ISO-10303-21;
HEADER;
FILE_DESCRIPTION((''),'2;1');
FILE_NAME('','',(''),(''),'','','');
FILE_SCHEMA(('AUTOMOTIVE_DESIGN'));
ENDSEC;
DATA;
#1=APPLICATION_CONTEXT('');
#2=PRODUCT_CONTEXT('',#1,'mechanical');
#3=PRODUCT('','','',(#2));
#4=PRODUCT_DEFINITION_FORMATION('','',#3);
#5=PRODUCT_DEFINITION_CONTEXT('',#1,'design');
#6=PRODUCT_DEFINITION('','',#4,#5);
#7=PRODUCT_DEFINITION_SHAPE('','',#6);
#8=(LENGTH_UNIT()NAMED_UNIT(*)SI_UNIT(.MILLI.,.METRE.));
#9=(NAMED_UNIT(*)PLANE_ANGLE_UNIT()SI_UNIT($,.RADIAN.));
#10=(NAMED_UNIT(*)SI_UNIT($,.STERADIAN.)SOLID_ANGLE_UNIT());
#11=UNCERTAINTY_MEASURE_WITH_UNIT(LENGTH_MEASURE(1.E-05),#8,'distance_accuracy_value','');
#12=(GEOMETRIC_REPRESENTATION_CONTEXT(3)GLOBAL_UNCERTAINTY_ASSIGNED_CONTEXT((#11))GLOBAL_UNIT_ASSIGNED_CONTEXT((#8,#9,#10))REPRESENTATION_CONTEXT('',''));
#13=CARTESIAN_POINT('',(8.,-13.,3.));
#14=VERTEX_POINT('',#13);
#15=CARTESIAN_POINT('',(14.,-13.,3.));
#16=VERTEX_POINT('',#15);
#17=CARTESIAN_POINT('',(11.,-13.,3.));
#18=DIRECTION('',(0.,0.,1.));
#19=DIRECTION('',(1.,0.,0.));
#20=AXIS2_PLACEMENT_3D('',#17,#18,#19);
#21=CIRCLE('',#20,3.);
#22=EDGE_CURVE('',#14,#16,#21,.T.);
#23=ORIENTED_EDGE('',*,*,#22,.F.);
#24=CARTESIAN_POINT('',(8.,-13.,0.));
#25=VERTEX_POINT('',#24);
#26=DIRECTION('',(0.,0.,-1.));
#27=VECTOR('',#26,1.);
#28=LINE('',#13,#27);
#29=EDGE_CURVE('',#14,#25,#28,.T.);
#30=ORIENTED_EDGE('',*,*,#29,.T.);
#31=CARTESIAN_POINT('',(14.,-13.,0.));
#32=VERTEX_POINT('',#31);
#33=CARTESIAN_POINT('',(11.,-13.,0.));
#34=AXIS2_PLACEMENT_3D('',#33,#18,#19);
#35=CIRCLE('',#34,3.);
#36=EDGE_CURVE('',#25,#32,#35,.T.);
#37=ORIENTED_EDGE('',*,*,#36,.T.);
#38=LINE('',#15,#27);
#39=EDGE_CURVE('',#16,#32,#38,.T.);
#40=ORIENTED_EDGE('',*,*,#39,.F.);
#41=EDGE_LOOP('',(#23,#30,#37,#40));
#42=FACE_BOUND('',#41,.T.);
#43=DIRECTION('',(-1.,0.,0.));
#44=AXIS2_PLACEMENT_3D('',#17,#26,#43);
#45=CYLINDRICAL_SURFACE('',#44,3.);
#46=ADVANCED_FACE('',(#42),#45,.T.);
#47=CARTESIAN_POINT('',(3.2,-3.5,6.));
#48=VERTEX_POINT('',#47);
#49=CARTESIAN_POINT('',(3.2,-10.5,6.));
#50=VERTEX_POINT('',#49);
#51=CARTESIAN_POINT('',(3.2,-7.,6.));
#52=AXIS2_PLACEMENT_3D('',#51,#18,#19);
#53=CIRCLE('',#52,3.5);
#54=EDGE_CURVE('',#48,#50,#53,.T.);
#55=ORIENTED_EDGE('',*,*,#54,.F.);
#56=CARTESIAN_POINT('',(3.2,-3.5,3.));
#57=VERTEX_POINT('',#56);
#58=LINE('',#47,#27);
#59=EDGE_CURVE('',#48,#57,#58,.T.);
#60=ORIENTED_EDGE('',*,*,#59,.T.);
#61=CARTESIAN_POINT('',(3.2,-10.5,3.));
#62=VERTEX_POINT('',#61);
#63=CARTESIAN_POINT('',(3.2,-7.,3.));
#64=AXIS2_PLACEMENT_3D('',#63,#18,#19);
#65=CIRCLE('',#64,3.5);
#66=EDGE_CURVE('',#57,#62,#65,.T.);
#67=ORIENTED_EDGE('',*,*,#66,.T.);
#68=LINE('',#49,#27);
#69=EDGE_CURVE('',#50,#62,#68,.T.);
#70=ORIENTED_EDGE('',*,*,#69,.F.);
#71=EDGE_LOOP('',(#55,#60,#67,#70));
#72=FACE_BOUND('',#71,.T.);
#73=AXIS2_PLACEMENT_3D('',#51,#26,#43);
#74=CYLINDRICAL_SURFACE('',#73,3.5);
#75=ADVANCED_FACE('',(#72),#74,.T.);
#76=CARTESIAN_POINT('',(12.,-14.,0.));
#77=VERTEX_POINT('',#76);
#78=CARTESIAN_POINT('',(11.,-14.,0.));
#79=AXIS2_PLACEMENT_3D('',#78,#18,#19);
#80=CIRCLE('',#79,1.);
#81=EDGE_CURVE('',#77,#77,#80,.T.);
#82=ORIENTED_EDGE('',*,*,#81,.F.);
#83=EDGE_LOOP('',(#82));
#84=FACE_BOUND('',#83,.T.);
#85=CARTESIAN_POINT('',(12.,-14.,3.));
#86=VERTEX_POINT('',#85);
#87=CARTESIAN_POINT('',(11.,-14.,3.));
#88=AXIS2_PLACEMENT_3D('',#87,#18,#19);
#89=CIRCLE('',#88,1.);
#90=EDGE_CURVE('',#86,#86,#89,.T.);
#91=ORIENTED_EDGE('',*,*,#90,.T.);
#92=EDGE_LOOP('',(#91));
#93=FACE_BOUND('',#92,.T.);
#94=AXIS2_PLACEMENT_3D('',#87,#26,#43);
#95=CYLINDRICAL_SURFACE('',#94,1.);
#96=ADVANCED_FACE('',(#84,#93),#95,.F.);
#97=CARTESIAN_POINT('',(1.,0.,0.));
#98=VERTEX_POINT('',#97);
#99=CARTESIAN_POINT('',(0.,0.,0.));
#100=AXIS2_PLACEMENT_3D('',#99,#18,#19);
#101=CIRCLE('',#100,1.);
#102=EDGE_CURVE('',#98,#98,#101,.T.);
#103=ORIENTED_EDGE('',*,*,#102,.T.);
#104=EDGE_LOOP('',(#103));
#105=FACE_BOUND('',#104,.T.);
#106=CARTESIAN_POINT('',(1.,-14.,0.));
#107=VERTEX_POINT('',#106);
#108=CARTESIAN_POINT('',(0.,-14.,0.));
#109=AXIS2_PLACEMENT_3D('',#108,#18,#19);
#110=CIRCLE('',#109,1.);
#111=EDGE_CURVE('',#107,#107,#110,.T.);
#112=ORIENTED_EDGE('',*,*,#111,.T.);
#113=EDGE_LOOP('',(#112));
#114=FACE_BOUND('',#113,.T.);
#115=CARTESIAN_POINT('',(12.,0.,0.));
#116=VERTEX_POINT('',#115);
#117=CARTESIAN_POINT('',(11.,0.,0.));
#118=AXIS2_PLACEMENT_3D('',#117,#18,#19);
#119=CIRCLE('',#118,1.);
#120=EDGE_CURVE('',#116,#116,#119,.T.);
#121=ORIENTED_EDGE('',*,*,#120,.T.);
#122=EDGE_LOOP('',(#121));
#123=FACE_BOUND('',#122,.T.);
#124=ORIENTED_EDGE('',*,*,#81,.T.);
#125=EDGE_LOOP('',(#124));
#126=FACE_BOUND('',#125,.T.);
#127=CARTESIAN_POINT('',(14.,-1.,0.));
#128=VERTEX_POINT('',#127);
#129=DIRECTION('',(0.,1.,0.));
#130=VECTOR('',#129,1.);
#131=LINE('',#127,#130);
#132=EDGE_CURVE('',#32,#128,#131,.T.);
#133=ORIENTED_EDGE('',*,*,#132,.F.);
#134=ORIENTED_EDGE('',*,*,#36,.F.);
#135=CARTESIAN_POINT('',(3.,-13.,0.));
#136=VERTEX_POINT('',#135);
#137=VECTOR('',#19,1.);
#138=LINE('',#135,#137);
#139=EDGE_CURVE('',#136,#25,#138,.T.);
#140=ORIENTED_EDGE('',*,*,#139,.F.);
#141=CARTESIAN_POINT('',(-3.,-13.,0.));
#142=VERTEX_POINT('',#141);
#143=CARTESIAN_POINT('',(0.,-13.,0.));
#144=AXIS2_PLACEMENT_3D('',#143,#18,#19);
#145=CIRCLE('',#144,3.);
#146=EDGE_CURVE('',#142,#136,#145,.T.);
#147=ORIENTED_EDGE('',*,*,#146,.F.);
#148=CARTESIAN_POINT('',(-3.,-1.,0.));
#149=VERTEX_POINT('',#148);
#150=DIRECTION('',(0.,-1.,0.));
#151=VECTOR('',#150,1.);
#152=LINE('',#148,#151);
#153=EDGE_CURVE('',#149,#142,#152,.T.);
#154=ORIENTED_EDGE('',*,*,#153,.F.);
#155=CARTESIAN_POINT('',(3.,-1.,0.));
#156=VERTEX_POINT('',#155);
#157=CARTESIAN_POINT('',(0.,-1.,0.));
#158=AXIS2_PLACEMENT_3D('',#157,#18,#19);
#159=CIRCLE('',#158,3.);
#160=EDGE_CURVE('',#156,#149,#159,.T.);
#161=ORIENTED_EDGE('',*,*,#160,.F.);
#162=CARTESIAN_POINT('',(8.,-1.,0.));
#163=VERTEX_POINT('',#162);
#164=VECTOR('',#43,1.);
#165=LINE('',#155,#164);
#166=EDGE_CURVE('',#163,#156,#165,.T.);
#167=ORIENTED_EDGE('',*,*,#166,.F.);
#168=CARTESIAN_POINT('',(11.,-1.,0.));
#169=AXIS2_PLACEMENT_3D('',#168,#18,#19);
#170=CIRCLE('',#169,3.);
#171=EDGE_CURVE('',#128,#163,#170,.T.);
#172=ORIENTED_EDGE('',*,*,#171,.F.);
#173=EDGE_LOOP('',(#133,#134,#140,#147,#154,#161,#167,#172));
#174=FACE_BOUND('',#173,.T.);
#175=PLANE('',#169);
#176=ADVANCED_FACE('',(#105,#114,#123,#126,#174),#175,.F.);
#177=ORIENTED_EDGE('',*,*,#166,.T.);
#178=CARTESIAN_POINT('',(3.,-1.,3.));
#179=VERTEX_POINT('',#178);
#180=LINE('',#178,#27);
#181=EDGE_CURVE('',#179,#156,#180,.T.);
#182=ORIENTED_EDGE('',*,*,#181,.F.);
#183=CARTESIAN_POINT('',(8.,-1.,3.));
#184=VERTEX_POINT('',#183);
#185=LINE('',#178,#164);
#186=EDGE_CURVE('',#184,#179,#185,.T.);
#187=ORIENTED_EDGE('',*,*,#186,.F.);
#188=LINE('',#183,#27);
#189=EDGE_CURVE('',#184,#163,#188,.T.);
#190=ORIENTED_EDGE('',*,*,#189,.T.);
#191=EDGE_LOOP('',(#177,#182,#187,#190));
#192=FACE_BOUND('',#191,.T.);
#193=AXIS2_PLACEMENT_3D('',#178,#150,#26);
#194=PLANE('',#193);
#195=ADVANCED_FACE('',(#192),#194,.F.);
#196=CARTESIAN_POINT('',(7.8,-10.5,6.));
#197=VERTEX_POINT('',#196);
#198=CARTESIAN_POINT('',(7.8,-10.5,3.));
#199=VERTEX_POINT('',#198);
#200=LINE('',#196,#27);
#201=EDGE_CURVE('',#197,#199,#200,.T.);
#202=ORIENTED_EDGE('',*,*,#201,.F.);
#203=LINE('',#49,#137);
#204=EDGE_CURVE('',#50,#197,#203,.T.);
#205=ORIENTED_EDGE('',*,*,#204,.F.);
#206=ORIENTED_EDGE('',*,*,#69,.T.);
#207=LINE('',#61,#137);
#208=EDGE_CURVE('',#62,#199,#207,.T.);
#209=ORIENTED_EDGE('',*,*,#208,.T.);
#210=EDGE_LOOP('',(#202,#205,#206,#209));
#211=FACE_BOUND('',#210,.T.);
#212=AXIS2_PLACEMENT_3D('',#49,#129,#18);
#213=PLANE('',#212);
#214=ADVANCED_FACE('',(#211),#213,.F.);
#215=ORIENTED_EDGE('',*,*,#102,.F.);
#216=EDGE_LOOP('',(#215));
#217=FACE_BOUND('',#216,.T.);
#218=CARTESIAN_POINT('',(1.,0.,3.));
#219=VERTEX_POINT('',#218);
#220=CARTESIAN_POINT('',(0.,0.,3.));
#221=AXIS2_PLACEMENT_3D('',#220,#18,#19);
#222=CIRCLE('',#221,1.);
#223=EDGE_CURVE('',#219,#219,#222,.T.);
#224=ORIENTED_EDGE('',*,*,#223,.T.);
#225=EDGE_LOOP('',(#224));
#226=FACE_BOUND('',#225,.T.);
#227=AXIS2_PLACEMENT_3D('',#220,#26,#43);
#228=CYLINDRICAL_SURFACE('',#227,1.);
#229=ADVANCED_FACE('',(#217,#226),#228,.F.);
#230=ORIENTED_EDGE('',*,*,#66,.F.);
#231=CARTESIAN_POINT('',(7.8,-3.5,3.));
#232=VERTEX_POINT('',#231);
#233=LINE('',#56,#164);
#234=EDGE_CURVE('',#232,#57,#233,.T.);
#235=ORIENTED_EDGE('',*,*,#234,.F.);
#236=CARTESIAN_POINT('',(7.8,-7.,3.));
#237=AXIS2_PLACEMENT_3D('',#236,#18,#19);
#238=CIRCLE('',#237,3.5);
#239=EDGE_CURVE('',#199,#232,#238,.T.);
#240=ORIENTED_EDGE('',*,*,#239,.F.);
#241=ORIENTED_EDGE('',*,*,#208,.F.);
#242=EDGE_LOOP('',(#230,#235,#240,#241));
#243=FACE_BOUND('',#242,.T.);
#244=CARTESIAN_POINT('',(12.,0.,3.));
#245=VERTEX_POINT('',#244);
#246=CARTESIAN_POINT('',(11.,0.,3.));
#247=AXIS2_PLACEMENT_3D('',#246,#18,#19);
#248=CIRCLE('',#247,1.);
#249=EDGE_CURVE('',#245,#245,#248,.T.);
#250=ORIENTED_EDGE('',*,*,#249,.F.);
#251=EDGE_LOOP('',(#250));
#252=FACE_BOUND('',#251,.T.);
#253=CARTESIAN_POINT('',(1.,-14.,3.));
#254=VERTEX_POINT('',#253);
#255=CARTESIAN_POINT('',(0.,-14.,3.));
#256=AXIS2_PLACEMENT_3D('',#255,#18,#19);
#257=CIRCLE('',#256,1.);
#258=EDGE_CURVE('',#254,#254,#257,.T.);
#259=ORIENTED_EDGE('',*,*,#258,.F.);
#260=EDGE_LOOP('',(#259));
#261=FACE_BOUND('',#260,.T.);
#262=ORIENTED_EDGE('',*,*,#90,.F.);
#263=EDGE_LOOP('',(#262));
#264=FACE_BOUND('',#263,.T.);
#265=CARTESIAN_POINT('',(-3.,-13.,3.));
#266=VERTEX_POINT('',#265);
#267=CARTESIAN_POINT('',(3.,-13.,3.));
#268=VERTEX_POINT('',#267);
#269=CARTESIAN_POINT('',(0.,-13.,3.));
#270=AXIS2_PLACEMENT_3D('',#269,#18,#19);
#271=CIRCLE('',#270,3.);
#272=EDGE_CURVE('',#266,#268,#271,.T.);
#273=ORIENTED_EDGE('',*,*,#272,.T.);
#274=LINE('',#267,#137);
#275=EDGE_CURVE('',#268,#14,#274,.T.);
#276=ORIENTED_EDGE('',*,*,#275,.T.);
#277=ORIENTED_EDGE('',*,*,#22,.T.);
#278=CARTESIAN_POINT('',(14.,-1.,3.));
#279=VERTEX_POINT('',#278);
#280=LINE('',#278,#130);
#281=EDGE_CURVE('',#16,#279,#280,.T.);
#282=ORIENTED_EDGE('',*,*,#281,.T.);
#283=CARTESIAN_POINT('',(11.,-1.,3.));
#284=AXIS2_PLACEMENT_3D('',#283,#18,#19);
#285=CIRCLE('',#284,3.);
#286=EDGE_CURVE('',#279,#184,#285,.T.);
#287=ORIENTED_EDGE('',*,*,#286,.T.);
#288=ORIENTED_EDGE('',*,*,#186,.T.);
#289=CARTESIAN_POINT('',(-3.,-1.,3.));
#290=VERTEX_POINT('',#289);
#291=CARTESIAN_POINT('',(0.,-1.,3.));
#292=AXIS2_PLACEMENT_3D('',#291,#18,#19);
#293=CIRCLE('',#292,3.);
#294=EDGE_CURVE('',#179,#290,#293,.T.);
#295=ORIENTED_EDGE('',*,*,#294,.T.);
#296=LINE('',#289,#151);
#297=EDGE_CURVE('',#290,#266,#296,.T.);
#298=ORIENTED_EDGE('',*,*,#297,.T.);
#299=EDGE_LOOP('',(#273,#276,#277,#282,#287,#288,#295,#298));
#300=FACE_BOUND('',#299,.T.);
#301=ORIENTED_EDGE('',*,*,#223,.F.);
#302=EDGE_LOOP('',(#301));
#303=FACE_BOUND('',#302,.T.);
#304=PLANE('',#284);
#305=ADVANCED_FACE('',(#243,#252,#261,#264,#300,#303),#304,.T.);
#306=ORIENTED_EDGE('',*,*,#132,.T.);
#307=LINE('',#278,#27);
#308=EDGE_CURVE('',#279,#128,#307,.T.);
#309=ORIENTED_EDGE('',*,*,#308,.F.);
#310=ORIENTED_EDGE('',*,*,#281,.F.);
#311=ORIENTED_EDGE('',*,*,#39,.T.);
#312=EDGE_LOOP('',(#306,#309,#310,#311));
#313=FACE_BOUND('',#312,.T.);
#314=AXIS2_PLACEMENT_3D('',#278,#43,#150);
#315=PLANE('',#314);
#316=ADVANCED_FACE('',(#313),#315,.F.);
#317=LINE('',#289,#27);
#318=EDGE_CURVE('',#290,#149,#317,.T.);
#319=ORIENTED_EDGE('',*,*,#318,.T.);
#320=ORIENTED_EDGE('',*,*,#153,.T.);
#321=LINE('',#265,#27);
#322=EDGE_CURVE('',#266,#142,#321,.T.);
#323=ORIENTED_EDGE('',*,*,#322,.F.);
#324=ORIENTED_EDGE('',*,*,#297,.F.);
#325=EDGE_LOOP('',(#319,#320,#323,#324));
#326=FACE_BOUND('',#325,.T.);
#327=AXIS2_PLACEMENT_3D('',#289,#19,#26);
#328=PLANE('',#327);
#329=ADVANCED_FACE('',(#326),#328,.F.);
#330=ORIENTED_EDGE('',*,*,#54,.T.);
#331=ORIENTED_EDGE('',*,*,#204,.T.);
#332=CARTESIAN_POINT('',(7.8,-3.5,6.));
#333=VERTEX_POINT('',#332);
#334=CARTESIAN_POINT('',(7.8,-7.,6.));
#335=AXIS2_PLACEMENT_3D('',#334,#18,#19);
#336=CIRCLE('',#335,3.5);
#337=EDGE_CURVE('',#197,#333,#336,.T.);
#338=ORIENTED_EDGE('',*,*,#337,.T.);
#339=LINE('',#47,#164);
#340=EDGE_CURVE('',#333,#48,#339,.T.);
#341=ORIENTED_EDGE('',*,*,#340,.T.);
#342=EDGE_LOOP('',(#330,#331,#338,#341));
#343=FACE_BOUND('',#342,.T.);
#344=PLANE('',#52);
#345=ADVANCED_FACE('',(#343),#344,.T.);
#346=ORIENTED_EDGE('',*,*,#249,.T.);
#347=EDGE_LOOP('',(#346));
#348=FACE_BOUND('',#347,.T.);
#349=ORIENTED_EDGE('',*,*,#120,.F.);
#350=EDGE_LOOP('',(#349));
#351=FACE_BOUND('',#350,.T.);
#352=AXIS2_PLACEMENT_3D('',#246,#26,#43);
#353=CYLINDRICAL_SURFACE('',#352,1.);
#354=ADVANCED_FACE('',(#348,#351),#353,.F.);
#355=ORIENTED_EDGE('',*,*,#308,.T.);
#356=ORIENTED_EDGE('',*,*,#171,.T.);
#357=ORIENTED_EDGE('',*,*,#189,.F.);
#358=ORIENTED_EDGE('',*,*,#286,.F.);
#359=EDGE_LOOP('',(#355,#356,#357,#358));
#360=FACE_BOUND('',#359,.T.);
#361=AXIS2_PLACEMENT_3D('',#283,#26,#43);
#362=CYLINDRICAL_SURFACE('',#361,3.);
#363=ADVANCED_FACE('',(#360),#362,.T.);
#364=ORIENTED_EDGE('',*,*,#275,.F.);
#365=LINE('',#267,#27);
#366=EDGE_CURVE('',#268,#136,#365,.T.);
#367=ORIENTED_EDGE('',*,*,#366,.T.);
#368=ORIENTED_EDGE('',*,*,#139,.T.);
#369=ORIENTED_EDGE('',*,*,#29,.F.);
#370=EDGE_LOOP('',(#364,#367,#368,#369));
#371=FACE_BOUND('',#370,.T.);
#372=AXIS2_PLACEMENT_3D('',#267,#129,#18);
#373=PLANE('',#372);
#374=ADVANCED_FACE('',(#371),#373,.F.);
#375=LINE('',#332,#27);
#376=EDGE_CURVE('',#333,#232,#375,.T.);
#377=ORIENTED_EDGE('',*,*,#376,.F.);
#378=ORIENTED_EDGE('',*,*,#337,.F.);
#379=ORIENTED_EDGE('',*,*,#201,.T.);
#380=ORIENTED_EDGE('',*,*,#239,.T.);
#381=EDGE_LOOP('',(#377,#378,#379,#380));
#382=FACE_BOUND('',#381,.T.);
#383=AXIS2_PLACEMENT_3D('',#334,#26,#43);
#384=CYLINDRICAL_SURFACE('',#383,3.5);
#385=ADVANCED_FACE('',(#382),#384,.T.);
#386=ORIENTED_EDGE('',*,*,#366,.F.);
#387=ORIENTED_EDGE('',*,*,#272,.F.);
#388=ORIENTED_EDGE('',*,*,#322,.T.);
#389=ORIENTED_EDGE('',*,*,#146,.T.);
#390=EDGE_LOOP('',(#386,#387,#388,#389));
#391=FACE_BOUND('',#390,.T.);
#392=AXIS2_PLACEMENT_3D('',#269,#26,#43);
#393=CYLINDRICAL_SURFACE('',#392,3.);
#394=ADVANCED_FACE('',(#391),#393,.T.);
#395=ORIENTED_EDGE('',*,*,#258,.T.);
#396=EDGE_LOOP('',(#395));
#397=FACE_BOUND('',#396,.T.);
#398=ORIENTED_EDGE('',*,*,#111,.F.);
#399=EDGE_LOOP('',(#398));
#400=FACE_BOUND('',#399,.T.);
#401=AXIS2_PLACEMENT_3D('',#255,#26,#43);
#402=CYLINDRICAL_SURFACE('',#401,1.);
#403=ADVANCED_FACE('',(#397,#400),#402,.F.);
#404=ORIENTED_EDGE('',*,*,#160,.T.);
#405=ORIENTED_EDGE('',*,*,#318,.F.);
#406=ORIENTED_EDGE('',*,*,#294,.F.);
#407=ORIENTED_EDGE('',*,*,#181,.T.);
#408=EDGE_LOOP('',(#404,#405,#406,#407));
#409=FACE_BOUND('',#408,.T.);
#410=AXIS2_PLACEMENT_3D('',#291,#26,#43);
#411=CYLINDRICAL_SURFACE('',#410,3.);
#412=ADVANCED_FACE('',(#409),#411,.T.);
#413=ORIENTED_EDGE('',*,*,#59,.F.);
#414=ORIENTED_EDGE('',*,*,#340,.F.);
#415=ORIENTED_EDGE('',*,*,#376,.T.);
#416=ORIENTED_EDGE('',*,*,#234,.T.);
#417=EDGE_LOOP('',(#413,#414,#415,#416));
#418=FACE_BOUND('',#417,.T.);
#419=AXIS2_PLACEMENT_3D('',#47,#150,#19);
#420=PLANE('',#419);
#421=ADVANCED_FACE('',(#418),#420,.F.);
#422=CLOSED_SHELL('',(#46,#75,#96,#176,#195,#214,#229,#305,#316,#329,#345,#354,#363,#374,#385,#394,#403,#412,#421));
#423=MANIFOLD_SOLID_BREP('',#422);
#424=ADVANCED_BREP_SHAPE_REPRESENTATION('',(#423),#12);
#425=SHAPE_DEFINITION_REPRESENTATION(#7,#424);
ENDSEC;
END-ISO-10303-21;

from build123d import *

# Parameters (mm, degrees)
SKETCH_1_R      = 1
EXTRUDE_1_DEPTH = 3
EXTRUDE_2_DEPTH = 3


with BuildPart() as part:
    # 草图1 → 凸台-拉伸1 (new body)
    with BuildSketch(Plane.XY):
        with BuildLine():
            Line((3, -13), (8, -13))
            ThreePointArc((8, -13), (11, -16), (14, -13))
            Line((14, -13), (14, -1))
            ThreePointArc((14, -1), (11, 2), (8, -1))
            Line((8, -1), (3, -1))
            ThreePointArc((3, -1), (0, 2), (-3, -1))
            Line((-3, -1), (-3, -13))
            ThreePointArc((-3, -13), (0, -16), (3, -13))
        make_face()
        with Locations((11, -14)):
            Circle(SKETCH_1_R, mode=Mode.SUBTRACT)
        Circle(SKETCH_1_R, mode=Mode.SUBTRACT)
        with Locations((11, 0)):
            Circle(SKETCH_1_R, mode=Mode.SUBTRACT)
        with Locations((0, -14)):
            Circle(SKETCH_1_R, mode=Mode.SUBTRACT)
    extrude(amount=EXTRUDE_1_DEPTH)

    # 草图2 → 凸台-拉伸2 (add)
    with BuildSketch(Plane.XY.offset(3)):
        with BuildLine():
            Line((3.2, -3.5), (7.8, -3.5))
            ThreePointArc((7.8, -3.5), (11.3, -7), (7.8, -10.5))
            Line((7.8, -10.5), (3.2, -10.5))
            ThreePointArc((3.2, -10.5), (-0.3, -7), (3.2, -3.5))
        make_face()
    extrude(amount=EXTRUDE_2_DEPTH)


solid = part.part
